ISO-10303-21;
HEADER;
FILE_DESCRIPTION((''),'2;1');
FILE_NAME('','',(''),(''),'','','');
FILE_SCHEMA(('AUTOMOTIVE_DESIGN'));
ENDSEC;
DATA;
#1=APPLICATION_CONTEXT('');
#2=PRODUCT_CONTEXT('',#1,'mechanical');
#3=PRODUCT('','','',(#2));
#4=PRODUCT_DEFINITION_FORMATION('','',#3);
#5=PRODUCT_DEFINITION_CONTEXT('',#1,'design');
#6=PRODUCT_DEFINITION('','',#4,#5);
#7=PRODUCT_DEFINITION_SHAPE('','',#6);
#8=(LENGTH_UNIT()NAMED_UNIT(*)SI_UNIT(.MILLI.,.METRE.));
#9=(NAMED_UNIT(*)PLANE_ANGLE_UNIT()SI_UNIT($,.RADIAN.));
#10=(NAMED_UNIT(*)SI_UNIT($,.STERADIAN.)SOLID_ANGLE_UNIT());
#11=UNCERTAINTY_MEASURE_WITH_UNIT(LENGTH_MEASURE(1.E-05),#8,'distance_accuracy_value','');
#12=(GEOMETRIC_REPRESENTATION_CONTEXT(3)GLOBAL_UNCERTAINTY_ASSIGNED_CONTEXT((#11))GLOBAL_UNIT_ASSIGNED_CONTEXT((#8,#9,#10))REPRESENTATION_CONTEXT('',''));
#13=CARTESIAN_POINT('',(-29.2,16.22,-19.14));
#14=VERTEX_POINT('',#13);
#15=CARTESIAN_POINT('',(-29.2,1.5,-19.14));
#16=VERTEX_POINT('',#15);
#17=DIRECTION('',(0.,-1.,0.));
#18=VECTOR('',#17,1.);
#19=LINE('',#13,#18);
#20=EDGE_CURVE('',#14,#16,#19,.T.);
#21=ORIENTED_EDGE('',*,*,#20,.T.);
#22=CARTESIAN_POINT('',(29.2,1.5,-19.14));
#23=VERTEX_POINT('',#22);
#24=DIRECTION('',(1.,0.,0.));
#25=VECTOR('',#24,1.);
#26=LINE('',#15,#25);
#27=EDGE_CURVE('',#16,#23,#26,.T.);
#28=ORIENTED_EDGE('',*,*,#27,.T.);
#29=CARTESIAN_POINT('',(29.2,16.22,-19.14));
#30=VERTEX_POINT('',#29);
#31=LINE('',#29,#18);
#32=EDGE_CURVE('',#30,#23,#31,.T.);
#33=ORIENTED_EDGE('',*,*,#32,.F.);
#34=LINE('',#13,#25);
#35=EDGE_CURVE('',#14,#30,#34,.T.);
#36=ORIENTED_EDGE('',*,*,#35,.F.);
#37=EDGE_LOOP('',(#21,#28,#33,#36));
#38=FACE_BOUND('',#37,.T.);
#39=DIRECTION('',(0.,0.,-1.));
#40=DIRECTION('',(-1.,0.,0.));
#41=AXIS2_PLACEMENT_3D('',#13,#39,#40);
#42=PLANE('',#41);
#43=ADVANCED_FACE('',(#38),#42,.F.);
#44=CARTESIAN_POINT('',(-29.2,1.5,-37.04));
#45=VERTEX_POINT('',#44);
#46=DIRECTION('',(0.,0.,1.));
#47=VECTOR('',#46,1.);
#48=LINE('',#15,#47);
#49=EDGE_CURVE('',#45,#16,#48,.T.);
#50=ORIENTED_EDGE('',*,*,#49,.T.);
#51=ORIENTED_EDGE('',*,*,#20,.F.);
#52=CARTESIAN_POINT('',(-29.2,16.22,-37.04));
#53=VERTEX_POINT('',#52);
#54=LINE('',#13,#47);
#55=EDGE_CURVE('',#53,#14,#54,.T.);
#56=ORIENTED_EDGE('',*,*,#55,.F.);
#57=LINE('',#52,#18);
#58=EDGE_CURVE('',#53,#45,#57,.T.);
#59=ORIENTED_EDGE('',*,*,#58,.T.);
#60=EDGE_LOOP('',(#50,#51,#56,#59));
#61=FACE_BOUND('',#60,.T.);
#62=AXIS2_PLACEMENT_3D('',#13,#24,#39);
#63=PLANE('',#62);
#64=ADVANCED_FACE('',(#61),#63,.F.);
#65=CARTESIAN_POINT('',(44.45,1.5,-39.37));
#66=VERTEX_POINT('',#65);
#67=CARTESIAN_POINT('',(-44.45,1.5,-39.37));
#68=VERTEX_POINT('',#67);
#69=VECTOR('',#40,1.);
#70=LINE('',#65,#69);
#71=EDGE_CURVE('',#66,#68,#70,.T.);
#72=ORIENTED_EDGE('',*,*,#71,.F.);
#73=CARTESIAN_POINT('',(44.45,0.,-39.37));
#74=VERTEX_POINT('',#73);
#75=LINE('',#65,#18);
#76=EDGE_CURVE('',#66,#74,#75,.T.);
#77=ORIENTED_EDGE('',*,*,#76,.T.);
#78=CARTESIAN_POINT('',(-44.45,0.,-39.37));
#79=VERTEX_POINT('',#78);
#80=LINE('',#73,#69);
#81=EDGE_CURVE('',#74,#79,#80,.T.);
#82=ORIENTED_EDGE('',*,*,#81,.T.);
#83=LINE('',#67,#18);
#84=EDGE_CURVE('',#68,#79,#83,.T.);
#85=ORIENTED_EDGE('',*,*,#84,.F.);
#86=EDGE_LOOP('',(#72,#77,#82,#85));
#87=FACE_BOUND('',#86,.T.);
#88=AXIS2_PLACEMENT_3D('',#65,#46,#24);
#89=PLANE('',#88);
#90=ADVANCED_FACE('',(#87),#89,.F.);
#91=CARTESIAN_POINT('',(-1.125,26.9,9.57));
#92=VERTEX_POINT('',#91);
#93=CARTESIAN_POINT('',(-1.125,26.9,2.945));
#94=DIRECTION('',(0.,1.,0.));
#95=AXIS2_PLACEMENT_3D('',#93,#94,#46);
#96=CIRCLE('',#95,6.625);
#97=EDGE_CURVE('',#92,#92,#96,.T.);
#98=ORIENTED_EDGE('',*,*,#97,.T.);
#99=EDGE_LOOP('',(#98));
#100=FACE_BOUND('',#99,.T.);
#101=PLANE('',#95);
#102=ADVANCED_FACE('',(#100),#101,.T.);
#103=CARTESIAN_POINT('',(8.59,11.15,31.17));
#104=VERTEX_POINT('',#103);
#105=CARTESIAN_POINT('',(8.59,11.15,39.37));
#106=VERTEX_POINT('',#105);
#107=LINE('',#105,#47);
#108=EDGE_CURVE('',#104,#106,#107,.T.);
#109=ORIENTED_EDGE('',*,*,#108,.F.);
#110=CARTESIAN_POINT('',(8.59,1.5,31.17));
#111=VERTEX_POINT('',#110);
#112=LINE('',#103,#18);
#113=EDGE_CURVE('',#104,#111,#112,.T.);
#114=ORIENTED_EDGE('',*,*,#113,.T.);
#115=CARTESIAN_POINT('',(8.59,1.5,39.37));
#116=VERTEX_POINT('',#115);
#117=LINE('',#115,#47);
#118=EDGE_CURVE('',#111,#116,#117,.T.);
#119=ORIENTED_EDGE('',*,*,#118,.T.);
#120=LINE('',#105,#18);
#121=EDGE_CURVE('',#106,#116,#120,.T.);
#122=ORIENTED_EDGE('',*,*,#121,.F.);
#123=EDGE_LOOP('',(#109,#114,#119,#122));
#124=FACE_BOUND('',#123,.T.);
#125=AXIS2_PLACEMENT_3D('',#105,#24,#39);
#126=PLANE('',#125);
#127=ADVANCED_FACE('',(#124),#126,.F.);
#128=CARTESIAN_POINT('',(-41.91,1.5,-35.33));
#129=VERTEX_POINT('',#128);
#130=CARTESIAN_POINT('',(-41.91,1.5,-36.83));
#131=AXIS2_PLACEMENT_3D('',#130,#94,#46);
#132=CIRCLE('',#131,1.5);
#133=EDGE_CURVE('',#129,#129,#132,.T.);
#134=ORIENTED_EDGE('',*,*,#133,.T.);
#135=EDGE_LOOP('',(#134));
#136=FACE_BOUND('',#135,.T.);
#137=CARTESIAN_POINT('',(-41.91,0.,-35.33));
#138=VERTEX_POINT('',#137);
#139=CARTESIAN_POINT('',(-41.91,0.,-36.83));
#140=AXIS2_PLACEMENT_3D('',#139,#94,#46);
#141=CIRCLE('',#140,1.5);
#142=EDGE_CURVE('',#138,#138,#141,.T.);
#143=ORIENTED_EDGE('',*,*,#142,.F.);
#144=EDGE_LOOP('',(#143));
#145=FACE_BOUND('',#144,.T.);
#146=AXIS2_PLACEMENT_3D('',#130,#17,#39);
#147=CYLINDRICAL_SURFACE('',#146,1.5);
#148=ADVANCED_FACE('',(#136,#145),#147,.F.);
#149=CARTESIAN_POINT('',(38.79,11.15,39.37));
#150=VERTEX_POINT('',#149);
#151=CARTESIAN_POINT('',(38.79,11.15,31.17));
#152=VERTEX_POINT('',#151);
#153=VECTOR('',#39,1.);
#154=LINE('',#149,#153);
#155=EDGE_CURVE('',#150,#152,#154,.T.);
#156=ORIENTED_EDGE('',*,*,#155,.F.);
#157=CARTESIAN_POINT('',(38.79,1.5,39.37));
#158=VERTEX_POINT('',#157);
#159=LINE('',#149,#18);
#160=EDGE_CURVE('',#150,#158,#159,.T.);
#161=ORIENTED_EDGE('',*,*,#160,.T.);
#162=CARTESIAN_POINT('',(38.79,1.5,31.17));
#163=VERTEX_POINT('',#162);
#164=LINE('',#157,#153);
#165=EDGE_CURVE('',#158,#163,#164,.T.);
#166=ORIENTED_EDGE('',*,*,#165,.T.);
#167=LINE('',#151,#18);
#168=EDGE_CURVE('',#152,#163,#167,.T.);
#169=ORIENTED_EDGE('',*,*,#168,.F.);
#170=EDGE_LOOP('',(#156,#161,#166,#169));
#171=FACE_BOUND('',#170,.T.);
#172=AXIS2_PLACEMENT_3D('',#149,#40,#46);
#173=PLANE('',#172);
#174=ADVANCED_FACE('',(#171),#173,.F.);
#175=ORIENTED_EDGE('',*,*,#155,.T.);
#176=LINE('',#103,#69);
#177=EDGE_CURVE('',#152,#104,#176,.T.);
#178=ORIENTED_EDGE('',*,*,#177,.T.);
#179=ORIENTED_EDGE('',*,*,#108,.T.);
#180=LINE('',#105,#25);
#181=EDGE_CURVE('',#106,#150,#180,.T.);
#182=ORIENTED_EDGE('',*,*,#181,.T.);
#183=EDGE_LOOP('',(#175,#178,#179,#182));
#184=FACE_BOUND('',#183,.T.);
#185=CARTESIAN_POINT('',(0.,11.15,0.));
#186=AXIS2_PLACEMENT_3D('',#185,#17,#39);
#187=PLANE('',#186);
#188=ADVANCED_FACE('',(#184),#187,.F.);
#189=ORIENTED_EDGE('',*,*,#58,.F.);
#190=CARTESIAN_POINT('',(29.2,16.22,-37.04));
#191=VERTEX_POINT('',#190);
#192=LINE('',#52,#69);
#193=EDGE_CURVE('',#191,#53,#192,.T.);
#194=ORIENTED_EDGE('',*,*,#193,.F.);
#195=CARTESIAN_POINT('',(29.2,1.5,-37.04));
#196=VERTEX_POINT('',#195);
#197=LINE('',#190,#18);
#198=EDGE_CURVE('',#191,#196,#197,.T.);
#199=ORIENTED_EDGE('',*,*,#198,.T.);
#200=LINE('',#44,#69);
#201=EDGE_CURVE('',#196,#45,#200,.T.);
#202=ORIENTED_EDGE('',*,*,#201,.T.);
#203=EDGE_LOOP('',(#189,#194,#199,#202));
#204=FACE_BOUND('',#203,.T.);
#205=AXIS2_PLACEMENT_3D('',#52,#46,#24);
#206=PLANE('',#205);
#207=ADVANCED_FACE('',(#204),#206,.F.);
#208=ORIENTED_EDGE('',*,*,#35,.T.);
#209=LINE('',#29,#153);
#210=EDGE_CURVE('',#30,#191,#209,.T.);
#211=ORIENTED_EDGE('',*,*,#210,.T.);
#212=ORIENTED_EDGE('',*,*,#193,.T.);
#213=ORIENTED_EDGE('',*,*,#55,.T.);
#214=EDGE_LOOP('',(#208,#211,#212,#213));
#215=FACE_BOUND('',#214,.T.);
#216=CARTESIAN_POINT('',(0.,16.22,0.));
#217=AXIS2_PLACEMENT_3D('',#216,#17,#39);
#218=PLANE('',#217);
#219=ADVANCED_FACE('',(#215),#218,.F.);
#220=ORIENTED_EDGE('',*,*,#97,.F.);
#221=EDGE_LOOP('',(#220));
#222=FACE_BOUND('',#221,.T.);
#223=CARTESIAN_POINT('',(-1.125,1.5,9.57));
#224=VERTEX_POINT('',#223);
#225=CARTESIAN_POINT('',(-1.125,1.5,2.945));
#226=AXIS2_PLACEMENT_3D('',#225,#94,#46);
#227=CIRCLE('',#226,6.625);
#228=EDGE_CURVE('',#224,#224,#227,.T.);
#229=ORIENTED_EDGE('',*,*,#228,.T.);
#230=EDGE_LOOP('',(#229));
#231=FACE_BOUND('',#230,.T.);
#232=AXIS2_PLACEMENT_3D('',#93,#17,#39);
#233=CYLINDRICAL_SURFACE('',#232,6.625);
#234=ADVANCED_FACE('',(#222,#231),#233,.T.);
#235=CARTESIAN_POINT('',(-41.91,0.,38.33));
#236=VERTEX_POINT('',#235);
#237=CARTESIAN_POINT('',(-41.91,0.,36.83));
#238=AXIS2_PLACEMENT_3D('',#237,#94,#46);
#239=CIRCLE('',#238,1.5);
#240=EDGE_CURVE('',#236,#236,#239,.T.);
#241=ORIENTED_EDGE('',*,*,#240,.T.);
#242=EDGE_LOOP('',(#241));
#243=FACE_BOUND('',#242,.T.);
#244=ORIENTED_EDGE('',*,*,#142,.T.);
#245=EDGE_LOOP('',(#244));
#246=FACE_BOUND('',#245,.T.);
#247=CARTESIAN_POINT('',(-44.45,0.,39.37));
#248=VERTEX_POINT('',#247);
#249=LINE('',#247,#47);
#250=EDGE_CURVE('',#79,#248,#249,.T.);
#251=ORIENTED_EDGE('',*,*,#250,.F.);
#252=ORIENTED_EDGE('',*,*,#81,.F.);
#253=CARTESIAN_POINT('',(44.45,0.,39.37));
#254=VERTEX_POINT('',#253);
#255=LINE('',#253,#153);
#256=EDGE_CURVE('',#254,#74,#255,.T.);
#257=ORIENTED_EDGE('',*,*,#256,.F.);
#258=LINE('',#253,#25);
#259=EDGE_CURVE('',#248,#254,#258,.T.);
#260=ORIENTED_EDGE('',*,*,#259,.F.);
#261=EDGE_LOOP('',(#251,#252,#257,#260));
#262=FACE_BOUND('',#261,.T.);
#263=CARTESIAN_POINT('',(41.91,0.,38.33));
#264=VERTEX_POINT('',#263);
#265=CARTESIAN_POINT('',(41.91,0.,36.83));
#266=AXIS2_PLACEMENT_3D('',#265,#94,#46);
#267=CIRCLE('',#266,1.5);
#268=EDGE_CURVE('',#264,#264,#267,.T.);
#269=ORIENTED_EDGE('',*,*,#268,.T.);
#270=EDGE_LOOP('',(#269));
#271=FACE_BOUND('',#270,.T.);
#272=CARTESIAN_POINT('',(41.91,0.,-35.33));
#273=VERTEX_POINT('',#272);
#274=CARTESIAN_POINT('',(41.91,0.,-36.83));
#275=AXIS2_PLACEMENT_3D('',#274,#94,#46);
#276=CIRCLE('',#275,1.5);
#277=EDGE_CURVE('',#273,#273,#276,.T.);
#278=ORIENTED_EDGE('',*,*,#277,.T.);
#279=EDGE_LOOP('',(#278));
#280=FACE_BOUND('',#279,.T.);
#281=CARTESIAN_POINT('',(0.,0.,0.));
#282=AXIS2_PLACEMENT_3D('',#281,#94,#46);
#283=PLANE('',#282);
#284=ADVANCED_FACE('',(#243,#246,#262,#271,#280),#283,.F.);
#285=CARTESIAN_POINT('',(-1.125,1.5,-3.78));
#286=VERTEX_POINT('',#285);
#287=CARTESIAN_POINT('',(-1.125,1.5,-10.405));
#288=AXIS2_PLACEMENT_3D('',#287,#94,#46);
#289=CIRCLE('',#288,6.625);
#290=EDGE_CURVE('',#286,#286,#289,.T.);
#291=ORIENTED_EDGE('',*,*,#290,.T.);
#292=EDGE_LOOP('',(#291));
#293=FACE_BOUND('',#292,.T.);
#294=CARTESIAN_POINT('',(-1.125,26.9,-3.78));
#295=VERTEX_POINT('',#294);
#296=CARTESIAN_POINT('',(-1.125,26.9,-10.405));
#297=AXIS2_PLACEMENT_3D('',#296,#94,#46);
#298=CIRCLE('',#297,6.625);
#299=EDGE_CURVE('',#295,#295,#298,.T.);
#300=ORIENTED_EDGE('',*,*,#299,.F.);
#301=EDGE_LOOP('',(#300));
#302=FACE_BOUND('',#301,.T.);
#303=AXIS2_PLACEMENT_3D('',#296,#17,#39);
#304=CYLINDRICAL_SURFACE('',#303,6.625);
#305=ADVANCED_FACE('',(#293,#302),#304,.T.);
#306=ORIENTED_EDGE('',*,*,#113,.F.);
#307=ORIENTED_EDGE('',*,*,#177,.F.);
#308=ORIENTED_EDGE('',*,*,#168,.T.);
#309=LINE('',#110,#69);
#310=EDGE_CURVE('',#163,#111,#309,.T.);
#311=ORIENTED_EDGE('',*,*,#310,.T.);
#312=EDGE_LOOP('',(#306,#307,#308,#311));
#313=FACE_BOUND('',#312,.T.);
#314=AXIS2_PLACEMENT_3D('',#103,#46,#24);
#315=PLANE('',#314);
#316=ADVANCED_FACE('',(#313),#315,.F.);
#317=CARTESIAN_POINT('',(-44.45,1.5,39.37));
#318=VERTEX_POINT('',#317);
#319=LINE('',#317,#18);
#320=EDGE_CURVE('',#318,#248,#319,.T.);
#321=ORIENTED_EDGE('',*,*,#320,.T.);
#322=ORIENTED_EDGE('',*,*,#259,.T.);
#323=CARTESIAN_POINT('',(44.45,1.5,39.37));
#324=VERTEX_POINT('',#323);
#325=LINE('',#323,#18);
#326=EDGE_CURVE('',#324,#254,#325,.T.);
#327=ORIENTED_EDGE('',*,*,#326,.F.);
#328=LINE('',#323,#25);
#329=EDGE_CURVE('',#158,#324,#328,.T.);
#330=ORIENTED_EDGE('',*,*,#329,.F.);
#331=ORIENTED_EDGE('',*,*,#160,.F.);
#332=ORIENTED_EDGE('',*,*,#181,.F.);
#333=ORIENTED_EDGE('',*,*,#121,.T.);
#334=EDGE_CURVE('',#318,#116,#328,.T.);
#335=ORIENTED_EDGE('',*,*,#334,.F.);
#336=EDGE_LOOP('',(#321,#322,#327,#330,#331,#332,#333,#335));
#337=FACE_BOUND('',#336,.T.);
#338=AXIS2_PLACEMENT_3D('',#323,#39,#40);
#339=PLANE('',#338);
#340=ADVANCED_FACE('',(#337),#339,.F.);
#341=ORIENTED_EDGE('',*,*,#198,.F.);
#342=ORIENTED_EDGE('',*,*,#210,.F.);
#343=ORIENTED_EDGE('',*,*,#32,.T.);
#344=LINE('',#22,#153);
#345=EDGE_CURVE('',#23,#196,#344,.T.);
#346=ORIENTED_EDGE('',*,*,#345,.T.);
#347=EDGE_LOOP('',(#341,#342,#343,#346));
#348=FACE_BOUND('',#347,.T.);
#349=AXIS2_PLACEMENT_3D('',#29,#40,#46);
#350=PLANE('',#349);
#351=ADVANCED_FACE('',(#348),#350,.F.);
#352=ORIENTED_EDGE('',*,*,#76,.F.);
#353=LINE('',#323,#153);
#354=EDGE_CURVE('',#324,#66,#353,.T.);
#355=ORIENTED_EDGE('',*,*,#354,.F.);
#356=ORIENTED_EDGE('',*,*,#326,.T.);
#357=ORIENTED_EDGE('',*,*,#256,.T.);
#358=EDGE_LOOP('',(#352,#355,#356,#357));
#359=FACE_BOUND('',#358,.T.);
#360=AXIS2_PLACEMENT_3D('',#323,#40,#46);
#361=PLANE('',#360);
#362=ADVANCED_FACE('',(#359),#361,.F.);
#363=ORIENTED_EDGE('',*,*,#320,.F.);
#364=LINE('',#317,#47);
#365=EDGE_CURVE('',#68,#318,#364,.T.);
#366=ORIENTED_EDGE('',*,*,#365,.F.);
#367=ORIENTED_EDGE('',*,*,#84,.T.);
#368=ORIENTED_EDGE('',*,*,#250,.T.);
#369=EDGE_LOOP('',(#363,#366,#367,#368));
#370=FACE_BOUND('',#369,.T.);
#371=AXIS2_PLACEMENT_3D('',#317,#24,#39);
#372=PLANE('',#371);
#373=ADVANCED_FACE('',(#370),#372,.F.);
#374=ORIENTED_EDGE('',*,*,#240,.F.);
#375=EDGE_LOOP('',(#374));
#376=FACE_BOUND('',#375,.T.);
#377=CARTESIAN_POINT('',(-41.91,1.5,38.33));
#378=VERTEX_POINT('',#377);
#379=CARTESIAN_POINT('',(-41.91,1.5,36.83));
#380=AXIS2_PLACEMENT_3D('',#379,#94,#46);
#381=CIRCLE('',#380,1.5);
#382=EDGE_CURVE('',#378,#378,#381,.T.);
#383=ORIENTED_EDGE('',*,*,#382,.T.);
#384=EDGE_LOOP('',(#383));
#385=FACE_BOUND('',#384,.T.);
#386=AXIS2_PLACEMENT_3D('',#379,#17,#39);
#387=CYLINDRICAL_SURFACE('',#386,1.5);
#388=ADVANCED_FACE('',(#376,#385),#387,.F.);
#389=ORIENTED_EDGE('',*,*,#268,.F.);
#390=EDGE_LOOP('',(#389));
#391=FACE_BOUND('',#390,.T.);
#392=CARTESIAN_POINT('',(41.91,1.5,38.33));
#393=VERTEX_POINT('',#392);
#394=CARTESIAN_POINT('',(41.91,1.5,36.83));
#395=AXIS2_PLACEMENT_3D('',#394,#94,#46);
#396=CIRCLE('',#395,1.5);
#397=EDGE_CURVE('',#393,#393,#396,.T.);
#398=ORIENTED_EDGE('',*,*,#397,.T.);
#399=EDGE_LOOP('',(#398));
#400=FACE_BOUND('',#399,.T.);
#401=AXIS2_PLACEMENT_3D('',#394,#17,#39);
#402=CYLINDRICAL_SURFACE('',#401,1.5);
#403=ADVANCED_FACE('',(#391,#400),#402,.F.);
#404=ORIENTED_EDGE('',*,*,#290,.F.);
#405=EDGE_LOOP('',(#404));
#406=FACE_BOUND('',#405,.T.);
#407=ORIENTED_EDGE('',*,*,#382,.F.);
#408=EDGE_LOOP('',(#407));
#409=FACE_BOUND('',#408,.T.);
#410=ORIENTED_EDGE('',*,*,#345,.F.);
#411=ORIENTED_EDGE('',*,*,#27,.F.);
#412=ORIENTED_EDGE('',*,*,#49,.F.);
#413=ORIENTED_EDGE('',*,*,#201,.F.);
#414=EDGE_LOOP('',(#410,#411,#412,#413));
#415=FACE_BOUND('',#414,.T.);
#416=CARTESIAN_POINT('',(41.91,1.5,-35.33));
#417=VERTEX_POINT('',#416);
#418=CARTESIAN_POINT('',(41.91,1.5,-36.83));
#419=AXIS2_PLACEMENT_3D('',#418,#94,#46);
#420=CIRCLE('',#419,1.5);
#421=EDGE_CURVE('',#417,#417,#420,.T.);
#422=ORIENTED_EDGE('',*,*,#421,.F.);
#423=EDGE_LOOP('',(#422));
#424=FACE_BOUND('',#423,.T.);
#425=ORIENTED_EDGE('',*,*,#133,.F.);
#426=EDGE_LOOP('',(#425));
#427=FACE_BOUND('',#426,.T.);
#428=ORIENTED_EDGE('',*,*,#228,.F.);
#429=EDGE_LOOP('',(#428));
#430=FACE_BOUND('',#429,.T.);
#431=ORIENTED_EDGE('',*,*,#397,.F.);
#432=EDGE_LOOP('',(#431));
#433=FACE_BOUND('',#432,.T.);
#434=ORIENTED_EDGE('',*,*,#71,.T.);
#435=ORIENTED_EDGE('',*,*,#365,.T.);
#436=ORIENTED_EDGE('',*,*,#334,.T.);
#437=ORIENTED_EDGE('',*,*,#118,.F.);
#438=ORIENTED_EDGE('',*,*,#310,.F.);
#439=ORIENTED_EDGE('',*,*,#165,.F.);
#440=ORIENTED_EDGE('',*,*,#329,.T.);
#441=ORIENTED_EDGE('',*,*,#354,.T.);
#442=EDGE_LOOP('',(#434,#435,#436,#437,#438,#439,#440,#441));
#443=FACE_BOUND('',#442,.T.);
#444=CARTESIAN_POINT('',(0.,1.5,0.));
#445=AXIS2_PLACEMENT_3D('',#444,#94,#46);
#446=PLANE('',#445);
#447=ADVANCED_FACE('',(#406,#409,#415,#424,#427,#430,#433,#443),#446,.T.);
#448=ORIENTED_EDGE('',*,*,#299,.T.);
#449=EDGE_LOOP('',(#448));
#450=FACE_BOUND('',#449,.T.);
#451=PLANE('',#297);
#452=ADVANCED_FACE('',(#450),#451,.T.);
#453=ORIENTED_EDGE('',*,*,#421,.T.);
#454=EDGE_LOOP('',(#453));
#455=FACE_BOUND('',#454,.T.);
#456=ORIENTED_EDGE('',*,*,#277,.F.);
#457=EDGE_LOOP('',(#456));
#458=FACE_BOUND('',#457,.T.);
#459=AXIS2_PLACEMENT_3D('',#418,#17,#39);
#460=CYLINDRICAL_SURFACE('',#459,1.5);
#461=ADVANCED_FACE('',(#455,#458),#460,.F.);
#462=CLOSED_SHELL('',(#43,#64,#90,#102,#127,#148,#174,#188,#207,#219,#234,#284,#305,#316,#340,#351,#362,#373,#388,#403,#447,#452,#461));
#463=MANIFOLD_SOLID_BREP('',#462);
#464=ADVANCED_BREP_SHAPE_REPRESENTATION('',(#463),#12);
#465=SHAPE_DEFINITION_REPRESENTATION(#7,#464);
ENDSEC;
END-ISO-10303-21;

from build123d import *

# Parameters (mm, degrees)
SKETCH1_W           = 88.9
SKETCH1_H           = 78.74
SKETCH1_R           = 1.5
BOSS_EXTRUDE1_DEPTH = 1.5
SKETCH2_W           = 58.4
SKETCH2_H           = 17.9
BOSS_EXTRUDE2_DEPTH = 14.72
SKETCH3_W           = 30.2
SKETCH3_H           = 8.2
BOSS_EXTRUDE3_DEPTH = 9.65
SKETCH4_R           = 6.625
BOSS_EXTRUDE6_DEPTH = 25.4


with BuildPart() as part:
    # Sketch1 → Boss-Extrude1 (new body)
    with BuildSketch(Plane(origin=(0, 0, 0), x_dir=(1, 0, 0), z_dir=(0, 1, 0))):
        Rectangle(SKETCH1_W, SKETCH1_H)
        with Locations((-41.91, 36.83)):
            Circle(SKETCH1_R, mode=Mode.SUBTRACT)
        with Locations((41.91, 36.83)):
            Circle(SKETCH1_R, mode=Mode.SUBTRACT)
        with Locations((41.91, -36.83)):
            Circle(SKETCH1_R, mode=Mode.SUBTRACT)
        with Locations((-41.91, -36.83)):
            Circle(SKETCH1_R, mode=Mode.SUBTRACT)
    extrude(amount=BOSS_EXTRUDE1_DEPTH)

    # Sketch2 → Boss-Extrude2 (add)
    with BuildSketch(Plane(origin=(0, 1.5, 0), x_dir=(1, 0, 0), z_dir=(0, 1, 0))):
        with Locations((0, 28.09)):
            Rectangle(SKETCH2_W, SKETCH2_H)
    extrude(amount=BOSS_EXTRUDE2_DEPTH)

    # Sketch3 → Boss-Extrude3 (add)
    with BuildSketch(Plane(origin=(0, 1.5, 0), x_dir=(1, 0, 0), z_dir=(0, 1, 0))):
        with Locations((23.69, -35.27)):
            Rectangle(SKETCH3_W, SKETCH3_H)
    extrude(amount=BOSS_EXTRUDE3_DEPTH)

    # Sketch4 → Boss-Extrude6 (add)
    with BuildSketch(Plane(origin=(0, 1.5, 0), x_dir=(1, 0, 0), z_dir=(0, 1, 0))):
        with Locations((-1.125, 10.405)):
            Circle(SKETCH4_R)
        with Locations((-1.125, -2.945)):
            Circle(SKETCH4_R)
    extrude(amount=BOSS_EXTRUDE6_DEPTH)


solid = part.part
